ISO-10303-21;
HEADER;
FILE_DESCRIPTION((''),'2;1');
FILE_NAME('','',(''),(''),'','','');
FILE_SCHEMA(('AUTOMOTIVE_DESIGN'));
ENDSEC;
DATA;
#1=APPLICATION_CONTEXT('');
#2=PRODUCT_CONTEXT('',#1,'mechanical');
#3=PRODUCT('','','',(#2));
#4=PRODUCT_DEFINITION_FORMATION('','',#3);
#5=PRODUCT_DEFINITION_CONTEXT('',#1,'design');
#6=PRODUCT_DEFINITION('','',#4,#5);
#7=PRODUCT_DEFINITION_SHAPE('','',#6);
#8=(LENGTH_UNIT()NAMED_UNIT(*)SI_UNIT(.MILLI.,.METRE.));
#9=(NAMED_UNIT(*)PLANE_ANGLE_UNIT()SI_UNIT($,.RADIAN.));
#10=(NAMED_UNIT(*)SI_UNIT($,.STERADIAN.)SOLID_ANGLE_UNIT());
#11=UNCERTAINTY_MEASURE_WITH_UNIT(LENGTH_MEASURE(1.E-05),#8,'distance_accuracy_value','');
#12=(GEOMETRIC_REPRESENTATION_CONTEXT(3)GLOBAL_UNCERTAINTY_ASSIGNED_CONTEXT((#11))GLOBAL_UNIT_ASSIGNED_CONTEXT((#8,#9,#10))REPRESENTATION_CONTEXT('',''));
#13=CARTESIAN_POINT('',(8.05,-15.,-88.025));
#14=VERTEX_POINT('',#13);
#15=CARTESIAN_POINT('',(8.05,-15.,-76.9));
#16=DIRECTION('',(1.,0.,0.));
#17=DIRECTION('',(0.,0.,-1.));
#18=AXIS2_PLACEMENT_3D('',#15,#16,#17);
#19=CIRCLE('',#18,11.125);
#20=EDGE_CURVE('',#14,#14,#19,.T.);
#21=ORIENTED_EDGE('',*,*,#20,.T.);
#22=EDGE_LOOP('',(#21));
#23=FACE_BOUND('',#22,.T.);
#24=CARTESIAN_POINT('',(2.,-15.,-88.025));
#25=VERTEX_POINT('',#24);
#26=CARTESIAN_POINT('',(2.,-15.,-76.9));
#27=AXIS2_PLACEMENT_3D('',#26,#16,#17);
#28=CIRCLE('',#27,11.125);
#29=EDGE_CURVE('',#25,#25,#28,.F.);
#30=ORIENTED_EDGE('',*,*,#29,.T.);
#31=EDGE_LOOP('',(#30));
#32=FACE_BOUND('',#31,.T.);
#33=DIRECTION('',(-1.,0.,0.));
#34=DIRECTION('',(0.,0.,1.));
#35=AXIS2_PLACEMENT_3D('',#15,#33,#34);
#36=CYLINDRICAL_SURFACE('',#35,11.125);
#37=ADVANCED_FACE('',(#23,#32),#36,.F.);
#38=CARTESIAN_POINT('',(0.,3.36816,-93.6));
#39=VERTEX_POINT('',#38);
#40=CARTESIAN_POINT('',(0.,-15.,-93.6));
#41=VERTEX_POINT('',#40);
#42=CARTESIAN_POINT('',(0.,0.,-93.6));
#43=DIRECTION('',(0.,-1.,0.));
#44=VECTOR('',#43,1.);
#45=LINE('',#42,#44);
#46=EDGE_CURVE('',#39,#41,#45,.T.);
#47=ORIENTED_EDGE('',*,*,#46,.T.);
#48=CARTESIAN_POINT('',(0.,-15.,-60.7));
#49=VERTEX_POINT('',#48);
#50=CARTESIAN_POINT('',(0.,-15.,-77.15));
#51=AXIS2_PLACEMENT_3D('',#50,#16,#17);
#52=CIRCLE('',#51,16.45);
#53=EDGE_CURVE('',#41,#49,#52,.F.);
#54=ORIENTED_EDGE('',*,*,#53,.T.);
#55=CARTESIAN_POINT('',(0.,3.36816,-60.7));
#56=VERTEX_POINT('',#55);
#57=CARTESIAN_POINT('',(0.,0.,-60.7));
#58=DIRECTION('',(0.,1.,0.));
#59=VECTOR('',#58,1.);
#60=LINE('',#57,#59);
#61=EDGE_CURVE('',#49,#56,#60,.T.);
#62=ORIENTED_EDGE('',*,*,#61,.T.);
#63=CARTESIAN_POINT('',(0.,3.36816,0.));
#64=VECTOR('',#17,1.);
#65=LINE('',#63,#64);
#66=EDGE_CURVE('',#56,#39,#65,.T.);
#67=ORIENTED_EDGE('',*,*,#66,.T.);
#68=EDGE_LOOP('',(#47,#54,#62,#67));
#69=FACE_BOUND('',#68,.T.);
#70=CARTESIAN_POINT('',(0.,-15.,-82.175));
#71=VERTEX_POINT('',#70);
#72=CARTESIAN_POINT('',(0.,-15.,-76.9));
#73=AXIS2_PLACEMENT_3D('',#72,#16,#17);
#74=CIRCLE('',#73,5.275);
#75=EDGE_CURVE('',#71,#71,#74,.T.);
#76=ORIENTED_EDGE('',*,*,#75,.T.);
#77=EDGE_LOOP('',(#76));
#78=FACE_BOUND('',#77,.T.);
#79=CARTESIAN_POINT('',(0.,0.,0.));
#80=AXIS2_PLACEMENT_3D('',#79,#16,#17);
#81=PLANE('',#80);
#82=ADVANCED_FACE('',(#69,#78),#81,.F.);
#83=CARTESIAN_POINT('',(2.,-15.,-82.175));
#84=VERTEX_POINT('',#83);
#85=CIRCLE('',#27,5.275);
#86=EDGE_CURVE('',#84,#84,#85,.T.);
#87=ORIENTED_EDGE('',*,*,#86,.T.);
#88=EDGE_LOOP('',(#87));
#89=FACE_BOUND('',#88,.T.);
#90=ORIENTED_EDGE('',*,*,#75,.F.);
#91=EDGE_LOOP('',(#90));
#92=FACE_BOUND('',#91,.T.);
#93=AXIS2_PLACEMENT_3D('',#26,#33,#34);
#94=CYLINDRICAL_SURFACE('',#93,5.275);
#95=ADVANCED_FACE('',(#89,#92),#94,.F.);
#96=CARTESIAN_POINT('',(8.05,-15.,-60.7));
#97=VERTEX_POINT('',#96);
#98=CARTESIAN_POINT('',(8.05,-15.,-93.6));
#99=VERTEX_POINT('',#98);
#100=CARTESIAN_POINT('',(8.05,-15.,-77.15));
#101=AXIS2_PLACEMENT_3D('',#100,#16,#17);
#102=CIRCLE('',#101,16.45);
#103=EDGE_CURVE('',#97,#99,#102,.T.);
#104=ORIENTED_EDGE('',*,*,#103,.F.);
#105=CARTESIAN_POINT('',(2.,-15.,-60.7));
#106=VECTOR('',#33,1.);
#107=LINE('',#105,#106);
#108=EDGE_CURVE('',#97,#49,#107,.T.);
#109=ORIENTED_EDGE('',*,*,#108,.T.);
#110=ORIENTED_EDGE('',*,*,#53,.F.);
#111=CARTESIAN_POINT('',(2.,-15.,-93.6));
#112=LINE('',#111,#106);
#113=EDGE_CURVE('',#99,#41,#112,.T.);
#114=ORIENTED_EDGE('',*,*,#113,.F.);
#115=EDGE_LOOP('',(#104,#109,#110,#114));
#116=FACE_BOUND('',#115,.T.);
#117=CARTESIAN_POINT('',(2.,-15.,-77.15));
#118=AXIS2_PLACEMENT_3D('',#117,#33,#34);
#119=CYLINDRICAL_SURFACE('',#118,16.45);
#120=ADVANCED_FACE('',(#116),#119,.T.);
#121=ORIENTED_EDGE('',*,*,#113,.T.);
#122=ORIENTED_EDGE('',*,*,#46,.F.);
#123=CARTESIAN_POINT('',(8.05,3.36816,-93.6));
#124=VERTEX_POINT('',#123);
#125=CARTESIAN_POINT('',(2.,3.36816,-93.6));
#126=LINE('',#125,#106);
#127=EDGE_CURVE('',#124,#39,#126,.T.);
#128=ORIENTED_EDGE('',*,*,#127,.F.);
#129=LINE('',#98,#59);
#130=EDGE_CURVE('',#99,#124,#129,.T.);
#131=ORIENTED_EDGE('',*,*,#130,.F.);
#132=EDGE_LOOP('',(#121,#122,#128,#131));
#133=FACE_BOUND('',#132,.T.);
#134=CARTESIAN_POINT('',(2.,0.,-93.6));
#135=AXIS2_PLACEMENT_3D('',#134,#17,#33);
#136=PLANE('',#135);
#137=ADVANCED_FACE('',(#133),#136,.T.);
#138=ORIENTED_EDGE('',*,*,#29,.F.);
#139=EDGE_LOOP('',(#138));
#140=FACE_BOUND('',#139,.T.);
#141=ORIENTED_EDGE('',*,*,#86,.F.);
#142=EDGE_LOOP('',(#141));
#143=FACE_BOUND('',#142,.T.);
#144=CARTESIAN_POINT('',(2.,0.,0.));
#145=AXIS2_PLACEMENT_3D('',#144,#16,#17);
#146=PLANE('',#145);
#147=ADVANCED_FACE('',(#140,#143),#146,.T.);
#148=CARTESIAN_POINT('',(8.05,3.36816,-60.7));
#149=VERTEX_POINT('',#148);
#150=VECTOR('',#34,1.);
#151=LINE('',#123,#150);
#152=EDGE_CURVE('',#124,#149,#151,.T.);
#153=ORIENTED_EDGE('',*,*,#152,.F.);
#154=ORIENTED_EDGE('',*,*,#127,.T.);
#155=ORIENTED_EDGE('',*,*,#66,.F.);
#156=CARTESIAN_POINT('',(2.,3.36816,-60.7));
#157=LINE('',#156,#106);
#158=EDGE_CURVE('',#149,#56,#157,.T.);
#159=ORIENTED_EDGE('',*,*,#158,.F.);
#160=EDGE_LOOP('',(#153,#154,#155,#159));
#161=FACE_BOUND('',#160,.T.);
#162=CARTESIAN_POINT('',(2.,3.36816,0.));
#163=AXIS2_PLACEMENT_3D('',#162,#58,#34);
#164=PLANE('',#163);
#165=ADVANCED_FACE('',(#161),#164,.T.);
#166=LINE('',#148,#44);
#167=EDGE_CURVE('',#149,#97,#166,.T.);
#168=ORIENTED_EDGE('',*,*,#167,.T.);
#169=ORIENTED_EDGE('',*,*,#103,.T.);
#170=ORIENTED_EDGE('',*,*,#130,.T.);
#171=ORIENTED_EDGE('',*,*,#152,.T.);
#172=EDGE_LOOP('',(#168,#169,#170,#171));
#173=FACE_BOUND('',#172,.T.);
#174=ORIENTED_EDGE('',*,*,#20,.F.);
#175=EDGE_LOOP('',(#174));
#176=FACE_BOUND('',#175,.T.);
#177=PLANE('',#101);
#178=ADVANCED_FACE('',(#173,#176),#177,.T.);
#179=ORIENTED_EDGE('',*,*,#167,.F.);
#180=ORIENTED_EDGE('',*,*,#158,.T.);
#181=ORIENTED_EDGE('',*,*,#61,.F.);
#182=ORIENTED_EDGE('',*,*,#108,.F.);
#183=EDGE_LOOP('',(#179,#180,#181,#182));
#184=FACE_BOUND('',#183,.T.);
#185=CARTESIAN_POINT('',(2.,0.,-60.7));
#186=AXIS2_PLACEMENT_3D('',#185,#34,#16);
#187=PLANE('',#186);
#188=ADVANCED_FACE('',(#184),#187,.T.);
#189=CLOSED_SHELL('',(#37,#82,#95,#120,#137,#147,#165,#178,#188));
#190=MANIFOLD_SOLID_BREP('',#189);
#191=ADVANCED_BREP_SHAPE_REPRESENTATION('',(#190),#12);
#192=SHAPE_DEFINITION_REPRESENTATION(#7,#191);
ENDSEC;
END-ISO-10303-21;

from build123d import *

# Parameters (mm, degrees)
CROQUIS1_R              = 5.275
SALIENTE_EXTRUIR1_DEPTH = 2
CROQUIS2_R              = 11.125
SALIENTE_EXTRUIR2_DEPTH = 6.05


with BuildPart() as part:
    # Croquis1 → Saliente-Extruir1 (new body)
    with BuildSketch(Plane(origin=(0, 0, 0), x_dir=(0, 0, -1), z_dir=(1, 0, 0))):
        with BuildLine():
            Line((60.7, 3.36816026), (60.7, 0))
            Line((60.7, 0), (60.7, -15))
            ThreePointArc((60.7, -15), (77.15, -31.45), (93.6, -15))
            Line((93.6, -15), (93.6, 0))
            Line((93.6, 0), (93.6, 3.36816026))
            Line((93.6, 3.36816026), (60.7, 3.36816026))
        make_face()
        with Locations((76.9, -15)):
            Circle(CROQUIS1_R, mode=Mode.SUBTRACT)
    extrude(amount=SALIENTE_EXTRUIR1_DEPTH)

    # Croquis2 → Saliente-Extruir2 (add)
    with BuildSketch(Plane(origin=(2, 0, 0), x_dir=(0, 0, -1), z_dir=(1, 0, 0))):
        with BuildLine():
            Line((93.6, -15), (93.6, 3.36816026))
            Line((93.6, 3.36816026), (60.7, 3.36816026))
            Line((60.7, 3.36816026), (60.7, -15))
            ThreePointArc((60.7, -15), (77.15, -31.45), (93.6, -15))
        make_face()
        with Locations((76.9, -15)):
            Circle(CROQUIS2_R, mode=Mode.SUBTRACT)
    extrude(amount=SALIENTE_EXTRUIR2_DEPTH)


solid = part.part
